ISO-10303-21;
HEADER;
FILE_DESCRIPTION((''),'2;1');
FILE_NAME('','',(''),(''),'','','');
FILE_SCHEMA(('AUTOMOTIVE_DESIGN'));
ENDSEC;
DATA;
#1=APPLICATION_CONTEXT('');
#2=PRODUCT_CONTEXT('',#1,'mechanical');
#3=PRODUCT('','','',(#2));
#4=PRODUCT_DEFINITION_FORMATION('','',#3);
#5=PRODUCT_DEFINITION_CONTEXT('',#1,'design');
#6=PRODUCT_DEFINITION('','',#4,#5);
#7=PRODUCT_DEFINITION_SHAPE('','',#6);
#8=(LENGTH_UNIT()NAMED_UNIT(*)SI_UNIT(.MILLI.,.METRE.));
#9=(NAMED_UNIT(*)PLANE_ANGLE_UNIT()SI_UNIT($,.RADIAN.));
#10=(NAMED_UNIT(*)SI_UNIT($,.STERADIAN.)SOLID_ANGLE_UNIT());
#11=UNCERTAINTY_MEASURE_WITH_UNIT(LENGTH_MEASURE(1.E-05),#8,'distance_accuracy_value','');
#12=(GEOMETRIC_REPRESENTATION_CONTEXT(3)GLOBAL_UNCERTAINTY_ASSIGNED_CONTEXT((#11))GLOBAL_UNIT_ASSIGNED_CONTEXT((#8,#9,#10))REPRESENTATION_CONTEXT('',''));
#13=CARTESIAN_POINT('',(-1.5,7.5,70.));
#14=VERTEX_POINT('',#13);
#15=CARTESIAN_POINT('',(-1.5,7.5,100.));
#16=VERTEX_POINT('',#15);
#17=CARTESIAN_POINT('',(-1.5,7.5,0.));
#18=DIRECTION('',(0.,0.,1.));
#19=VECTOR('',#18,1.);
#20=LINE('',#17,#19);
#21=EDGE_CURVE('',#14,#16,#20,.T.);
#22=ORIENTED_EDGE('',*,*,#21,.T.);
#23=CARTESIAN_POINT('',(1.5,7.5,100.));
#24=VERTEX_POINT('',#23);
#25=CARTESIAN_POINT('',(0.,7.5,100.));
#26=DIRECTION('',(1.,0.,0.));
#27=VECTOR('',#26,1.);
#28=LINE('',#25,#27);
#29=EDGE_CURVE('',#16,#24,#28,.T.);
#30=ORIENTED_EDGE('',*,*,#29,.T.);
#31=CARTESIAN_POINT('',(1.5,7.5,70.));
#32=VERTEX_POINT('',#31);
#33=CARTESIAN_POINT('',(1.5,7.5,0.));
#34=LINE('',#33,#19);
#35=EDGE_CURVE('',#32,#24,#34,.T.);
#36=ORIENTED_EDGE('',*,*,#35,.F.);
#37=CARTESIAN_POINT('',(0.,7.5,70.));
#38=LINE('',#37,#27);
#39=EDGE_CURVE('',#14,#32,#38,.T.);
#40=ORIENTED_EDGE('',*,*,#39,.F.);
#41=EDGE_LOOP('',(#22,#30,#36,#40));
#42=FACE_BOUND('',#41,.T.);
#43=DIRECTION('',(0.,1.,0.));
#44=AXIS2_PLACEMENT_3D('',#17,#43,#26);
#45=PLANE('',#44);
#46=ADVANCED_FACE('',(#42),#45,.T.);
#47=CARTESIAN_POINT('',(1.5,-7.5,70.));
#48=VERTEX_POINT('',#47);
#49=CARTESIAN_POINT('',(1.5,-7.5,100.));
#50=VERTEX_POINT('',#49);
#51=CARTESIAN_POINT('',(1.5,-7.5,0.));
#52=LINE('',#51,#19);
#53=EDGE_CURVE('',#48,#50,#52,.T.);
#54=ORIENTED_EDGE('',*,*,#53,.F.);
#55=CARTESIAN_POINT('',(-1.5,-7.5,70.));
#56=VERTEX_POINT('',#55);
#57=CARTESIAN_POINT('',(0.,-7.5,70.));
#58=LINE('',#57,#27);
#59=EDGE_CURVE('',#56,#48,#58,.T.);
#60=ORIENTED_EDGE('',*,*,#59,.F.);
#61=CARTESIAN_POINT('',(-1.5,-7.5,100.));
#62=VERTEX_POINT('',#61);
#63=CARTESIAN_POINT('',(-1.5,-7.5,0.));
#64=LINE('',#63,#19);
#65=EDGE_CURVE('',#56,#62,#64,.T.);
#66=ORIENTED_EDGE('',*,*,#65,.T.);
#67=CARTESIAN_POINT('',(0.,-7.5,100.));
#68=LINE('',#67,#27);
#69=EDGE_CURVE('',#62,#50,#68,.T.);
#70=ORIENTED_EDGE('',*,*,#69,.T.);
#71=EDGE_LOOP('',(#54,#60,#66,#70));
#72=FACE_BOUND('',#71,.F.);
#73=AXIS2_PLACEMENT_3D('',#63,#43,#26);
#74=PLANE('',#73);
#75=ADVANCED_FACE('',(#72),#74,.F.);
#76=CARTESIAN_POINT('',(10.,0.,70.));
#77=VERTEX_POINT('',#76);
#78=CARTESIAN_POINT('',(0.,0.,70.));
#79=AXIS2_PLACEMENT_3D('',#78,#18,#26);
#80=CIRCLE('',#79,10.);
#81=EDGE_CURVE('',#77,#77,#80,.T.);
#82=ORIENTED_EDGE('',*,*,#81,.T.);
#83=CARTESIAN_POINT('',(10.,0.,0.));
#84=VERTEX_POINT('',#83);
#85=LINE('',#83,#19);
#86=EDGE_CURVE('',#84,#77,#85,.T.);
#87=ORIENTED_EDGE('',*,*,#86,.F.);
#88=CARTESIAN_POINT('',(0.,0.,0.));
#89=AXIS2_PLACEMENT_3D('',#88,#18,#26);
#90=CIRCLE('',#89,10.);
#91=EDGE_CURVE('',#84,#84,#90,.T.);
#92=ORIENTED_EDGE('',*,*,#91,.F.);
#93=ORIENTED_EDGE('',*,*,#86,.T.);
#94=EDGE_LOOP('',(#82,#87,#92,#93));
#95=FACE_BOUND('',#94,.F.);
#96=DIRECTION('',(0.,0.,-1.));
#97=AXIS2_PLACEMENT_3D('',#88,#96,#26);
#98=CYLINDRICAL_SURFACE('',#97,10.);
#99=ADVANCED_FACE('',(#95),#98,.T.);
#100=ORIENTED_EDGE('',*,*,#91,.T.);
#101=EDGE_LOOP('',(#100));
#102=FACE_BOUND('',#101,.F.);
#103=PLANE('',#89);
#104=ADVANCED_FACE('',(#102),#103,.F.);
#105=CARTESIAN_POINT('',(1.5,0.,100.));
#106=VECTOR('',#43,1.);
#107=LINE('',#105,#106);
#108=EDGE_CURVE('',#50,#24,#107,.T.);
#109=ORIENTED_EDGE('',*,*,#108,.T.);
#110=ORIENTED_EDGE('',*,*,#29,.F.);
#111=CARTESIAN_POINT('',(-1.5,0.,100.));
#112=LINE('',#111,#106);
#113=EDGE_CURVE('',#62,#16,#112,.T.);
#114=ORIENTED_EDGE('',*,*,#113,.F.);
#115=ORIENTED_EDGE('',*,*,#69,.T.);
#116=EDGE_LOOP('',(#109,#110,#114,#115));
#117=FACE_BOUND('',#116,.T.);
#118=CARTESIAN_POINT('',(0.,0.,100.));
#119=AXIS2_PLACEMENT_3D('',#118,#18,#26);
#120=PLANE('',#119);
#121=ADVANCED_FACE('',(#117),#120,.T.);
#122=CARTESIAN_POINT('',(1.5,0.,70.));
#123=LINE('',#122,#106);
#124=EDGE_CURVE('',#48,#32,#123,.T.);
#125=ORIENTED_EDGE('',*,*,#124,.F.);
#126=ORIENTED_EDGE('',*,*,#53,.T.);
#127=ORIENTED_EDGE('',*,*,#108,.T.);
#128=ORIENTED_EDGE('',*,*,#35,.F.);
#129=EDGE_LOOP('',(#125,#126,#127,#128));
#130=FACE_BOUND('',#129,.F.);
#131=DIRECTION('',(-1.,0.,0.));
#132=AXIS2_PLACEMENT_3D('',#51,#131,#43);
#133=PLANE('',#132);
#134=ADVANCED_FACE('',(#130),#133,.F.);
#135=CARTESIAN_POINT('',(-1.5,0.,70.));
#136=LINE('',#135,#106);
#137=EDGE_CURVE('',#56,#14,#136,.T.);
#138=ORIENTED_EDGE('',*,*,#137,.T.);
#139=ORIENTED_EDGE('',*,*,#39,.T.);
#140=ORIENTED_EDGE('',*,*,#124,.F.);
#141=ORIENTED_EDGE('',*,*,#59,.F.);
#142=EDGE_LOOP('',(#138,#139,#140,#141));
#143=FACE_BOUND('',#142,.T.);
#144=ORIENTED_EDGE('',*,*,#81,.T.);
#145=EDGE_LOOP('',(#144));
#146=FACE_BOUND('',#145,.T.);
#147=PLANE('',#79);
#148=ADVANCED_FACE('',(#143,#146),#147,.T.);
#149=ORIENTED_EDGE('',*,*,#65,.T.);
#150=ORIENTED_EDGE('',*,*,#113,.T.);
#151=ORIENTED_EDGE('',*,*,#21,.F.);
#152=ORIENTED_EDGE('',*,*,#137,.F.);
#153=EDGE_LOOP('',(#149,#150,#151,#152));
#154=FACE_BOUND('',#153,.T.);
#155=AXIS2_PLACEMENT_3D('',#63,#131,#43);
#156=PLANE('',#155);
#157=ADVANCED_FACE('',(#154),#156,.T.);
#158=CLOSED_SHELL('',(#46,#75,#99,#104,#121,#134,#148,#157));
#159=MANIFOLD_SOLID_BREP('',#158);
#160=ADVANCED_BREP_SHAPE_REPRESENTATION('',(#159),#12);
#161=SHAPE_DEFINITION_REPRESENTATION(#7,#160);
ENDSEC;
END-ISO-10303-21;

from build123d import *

# Parameters (mm, degrees)
F2_W     = 3
F2_H     = 15
F0_DEPTH = 100
F2_R     = 10
F1_DEPTH = 70


with BuildPart() as f0:
    # F2 (on Top) → F0 (new body)
    with BuildSketch(Plane.XY):
        Rectangle(F2_W, F2_H)
    extrude(amount=F0_DEPTH)

    # F2 (on Top) → F1 (join)
    with BuildSketch(Plane.XY):
        Circle(F2_R)
        Rectangle(F2_W, F2_H, mode=Mode.SUBTRACT)
    extrude(amount=F1_DEPTH)


solid = f0.part
